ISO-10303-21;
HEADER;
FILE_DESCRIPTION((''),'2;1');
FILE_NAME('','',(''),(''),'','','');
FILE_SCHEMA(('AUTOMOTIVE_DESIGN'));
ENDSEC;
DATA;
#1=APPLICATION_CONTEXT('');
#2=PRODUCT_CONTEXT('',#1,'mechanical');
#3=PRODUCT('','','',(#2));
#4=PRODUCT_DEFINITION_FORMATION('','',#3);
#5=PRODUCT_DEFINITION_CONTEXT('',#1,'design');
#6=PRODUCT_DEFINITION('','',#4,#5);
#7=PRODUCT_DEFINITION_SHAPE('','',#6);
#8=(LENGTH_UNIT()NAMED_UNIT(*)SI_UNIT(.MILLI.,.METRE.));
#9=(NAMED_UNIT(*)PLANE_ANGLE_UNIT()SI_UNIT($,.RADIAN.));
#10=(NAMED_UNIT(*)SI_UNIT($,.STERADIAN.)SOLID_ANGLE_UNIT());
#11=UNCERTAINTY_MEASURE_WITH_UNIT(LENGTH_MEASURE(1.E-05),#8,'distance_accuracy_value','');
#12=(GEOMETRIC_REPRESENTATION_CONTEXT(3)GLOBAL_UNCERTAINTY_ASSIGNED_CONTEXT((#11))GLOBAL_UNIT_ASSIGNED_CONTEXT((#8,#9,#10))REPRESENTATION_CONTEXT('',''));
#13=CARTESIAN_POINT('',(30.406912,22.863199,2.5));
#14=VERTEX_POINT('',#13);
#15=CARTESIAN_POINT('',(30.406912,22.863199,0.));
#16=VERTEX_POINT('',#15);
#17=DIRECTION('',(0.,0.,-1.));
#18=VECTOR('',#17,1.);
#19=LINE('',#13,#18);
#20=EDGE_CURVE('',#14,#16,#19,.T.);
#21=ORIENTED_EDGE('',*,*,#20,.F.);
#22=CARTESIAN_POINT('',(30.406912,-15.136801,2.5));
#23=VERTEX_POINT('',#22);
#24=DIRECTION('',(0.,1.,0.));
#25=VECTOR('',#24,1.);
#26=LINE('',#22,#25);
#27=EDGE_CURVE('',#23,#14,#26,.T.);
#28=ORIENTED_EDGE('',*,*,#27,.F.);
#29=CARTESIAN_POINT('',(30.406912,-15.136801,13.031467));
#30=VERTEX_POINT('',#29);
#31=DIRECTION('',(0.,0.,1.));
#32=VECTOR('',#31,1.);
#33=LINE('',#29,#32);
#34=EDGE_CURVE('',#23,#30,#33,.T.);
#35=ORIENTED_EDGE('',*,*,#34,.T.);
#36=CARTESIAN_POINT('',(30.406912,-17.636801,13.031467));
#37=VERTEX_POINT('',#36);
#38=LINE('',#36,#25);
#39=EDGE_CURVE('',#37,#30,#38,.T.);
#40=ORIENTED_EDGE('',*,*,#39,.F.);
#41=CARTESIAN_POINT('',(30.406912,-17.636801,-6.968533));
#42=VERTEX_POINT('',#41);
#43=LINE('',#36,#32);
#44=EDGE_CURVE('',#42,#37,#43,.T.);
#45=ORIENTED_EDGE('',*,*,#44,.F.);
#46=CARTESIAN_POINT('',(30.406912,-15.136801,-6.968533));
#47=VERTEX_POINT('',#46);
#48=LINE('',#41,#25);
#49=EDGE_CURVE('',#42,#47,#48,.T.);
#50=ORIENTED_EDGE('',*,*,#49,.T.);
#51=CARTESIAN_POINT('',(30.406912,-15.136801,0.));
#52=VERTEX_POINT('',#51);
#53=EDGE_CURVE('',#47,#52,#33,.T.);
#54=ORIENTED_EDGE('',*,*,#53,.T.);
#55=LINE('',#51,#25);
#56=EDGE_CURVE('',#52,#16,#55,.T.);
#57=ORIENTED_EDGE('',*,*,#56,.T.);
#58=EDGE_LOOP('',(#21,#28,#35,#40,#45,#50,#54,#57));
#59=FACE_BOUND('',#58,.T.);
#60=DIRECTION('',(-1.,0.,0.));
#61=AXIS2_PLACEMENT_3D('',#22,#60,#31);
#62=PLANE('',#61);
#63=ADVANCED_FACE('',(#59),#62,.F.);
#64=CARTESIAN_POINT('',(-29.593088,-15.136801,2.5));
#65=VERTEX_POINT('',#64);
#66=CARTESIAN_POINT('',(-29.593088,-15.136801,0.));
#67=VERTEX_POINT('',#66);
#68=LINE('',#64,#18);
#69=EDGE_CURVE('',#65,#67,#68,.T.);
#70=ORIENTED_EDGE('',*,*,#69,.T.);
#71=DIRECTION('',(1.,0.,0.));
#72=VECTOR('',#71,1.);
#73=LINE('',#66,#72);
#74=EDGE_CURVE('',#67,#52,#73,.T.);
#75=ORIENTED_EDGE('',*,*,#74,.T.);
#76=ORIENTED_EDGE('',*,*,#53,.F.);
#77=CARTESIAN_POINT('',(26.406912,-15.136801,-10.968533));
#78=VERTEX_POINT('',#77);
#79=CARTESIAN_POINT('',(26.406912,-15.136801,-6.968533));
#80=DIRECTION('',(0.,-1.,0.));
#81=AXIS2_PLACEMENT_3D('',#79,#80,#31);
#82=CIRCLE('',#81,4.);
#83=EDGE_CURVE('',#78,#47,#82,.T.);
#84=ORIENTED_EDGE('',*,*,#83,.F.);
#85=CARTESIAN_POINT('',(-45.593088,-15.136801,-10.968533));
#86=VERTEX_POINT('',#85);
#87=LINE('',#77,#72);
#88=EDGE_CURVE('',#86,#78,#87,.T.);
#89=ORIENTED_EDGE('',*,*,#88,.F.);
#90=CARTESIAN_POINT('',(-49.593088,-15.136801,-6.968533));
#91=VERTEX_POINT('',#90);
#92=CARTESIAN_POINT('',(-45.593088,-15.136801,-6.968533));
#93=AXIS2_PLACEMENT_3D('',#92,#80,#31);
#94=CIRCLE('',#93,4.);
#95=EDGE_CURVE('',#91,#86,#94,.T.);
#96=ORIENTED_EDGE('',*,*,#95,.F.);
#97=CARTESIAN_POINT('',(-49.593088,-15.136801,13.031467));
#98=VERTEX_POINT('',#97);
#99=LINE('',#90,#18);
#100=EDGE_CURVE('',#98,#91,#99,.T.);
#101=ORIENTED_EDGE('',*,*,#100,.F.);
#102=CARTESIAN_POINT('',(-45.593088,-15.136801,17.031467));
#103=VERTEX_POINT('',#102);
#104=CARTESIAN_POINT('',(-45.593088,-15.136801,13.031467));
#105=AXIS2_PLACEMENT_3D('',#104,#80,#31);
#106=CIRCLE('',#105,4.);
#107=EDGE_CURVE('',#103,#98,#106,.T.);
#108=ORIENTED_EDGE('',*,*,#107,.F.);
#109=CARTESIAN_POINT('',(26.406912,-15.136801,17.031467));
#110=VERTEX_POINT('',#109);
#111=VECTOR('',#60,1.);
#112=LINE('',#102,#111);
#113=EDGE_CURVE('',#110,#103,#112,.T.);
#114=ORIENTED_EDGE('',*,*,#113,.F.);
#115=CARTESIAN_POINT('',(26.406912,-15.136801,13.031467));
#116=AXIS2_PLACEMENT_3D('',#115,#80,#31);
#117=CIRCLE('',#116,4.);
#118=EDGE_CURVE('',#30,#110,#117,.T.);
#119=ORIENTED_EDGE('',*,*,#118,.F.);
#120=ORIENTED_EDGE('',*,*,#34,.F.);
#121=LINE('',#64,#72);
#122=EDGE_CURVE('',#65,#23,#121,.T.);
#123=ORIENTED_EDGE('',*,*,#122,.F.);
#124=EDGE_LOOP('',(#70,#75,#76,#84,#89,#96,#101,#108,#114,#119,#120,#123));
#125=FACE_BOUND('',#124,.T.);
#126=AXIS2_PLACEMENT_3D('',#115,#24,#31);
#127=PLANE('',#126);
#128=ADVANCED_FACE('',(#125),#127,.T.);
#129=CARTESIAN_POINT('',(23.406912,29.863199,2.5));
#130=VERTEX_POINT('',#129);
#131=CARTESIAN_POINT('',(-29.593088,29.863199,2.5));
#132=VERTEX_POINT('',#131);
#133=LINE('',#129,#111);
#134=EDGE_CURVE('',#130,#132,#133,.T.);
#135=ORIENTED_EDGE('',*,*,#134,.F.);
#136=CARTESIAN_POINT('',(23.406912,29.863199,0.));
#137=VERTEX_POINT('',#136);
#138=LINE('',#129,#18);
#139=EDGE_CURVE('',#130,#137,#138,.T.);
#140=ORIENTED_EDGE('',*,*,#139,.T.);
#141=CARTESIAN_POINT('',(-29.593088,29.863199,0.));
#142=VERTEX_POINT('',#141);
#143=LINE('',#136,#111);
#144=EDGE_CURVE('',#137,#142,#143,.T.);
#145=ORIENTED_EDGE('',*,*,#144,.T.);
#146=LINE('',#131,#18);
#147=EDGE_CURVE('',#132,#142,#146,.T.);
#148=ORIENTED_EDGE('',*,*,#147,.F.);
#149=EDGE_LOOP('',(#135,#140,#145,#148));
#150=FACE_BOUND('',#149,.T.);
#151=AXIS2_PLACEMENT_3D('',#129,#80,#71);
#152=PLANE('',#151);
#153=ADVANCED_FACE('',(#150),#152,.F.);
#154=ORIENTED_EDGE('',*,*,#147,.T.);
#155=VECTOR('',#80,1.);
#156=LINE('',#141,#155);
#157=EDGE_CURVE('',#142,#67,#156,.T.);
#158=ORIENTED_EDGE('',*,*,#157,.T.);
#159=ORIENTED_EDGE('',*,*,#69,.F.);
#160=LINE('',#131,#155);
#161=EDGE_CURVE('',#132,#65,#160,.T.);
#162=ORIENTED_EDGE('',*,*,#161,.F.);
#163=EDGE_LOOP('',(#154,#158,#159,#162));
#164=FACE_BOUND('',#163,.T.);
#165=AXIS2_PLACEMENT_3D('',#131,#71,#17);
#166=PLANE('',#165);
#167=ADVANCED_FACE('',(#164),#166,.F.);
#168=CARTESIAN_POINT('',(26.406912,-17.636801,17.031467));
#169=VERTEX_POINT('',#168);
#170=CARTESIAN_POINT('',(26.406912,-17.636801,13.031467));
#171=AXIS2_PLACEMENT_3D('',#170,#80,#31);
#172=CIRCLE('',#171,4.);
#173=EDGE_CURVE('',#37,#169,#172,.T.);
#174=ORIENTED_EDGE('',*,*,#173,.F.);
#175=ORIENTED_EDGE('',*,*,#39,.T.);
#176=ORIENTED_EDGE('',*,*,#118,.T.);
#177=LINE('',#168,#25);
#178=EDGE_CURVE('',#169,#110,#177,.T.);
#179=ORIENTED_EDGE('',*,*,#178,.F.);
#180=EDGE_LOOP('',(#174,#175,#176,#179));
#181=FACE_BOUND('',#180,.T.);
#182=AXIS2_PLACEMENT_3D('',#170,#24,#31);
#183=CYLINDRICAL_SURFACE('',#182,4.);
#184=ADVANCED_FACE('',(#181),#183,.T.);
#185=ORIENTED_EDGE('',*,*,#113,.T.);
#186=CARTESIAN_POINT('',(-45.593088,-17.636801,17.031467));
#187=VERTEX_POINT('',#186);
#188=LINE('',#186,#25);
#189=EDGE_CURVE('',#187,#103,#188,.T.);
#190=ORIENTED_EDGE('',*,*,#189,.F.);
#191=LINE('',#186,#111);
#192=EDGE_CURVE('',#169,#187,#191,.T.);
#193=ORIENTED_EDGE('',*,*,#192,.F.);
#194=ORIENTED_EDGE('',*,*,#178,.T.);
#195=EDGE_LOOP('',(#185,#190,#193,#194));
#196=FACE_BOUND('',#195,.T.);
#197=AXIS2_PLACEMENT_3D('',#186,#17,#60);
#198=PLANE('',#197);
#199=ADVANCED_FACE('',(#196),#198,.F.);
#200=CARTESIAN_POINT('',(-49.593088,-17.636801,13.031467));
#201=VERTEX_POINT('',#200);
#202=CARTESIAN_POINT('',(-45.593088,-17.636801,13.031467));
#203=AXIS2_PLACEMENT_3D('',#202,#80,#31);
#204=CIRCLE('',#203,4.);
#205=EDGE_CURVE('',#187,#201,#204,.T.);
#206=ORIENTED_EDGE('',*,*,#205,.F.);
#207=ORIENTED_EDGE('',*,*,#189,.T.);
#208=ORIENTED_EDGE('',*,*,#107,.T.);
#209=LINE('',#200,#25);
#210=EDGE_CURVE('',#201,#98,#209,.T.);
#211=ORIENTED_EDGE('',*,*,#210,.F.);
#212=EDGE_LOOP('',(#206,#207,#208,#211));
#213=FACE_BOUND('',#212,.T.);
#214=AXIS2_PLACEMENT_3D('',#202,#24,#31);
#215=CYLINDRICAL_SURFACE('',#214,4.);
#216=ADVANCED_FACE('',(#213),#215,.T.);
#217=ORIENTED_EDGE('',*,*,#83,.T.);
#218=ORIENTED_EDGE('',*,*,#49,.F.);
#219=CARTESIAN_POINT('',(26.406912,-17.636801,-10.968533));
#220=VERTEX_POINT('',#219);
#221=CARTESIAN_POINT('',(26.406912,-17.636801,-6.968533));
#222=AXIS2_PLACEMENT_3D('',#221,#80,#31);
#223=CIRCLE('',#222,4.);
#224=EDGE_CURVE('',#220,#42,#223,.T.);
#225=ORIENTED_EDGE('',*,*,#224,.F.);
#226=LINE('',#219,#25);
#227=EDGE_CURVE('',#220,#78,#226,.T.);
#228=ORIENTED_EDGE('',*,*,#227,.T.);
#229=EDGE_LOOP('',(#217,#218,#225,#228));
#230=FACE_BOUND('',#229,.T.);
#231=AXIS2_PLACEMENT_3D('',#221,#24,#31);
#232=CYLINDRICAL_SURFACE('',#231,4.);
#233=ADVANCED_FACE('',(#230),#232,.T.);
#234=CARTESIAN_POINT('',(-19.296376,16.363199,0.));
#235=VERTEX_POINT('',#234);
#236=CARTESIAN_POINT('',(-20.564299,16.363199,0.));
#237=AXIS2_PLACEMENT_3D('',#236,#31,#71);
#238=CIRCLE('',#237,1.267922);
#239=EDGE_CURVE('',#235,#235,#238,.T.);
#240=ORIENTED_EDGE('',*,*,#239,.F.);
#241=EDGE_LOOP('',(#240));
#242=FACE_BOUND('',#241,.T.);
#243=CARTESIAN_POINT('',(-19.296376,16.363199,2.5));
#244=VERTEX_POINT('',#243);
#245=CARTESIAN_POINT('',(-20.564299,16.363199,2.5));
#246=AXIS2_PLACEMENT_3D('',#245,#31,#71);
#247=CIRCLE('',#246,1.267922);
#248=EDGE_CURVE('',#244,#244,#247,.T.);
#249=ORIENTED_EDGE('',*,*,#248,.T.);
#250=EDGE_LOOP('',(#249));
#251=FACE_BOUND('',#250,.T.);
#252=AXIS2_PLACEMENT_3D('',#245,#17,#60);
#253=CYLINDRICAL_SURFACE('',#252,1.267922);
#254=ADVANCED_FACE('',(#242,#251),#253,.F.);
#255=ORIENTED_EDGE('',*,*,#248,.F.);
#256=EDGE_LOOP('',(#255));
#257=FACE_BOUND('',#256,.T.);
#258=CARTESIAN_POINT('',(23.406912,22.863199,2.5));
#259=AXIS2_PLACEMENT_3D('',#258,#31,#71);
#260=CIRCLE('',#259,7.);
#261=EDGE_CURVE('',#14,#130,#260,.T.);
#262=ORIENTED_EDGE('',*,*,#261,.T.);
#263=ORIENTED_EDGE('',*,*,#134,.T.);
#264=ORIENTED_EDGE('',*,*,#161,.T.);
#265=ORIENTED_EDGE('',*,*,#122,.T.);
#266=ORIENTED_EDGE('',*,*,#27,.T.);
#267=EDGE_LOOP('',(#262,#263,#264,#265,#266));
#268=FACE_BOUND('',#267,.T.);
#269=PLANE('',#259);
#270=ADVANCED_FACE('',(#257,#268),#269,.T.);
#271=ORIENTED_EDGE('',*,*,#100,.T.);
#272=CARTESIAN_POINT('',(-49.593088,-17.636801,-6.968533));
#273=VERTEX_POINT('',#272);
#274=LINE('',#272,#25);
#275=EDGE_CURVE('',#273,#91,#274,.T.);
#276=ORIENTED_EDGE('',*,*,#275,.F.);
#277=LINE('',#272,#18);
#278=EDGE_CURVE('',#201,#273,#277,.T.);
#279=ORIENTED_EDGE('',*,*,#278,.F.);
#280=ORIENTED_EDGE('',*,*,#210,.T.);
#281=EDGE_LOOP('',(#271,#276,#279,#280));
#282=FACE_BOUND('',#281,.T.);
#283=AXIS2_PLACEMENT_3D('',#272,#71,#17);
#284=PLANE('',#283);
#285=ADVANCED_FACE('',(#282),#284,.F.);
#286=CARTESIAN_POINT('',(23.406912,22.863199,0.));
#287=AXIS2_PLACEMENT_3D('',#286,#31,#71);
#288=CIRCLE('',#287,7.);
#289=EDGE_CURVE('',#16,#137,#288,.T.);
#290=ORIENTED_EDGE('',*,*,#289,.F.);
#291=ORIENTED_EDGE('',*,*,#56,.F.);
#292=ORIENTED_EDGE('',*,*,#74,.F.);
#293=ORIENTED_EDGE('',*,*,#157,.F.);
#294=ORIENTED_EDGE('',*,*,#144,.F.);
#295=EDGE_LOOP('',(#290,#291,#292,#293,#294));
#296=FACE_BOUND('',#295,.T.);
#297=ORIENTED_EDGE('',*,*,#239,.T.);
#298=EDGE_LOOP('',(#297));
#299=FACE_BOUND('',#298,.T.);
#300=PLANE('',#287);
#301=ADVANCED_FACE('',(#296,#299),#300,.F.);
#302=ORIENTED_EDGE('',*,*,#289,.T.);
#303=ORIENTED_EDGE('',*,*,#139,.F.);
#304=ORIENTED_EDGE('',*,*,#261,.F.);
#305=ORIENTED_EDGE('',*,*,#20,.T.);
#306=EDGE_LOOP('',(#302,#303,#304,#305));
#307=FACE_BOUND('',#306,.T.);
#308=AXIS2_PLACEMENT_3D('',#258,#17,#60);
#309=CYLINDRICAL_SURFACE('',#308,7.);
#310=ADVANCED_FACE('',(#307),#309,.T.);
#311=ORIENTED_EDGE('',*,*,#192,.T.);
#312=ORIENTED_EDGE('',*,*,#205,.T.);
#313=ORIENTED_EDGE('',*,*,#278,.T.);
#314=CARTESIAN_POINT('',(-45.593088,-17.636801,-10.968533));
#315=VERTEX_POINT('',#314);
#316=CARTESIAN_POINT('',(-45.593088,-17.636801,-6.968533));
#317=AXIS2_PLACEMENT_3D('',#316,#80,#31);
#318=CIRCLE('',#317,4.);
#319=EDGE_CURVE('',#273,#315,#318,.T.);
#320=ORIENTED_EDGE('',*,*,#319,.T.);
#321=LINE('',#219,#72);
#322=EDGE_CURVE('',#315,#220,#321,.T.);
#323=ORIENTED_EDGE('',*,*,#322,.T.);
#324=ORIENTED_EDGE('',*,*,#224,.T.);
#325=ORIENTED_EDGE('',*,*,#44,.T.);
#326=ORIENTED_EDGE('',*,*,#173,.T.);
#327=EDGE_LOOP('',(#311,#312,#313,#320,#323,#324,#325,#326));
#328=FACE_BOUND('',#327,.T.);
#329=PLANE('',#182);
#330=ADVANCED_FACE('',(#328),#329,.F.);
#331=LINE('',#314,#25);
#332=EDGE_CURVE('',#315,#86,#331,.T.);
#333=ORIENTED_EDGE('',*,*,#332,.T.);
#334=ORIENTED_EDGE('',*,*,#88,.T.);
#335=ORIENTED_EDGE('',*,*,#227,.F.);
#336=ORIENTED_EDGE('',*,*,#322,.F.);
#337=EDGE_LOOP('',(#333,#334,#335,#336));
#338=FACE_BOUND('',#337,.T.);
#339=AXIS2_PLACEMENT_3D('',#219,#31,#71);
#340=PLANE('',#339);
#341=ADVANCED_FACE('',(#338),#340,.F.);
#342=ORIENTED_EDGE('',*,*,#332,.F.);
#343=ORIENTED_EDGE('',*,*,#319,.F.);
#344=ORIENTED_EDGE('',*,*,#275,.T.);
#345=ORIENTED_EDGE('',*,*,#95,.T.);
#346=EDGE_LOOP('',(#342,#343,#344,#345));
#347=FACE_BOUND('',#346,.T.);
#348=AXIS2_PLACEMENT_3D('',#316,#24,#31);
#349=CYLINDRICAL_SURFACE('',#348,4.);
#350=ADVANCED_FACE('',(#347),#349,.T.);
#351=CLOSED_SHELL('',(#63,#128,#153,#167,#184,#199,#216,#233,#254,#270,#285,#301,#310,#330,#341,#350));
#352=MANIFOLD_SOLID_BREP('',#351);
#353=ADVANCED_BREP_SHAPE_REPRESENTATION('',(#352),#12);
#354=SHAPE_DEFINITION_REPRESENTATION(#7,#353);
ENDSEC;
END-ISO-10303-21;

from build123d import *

# Parameters (mm, degrees)
CROQUIS4_R              = 1.267922183
SALIENTE_EXTRUIR3_DEPTH = 2.5
SALIENTE_EXTRUIR4_DEPTH = 2.5


with BuildPart() as part:
    # Croquis4 → Saliente-Extruir3 (new body)
    with BuildSketch(Plane.XY):
        with BuildLine():
            Line((30.406912218, -15.136800989), (30.406912218, 22.863199011))
            ThreePointArc((30.406912218, 22.863199011), (28.356659686, 27.812946479), (23.406912218, 29.863199011))
            Line((23.406912218, 29.863199011), (-29.593087782, 29.863199011))
            Line((-29.593087782, 29.863199011), (-29.593087782, -15.136800989))
            Line((-29.593087782, -15.136800989), (30.406912218, -15.136800989))
        make_face()
        with Locations((-20.564298519, 16.363199011)):
            Circle(CROQUIS4_R, mode=Mode.SUBTRACT)
    extrude(amount=SALIENTE_EXTRUIR3_DEPTH)

    # Croquis5 → Saliente-Extruir4 (add)
    with BuildSketch(Plane.XZ.offset(15.136800989)):
        with BuildLine():
            Line((30.406912218, 13.031466978), (30.406912218, -6.968533022))
            ThreePointArc((30.406912218, -6.968533022), (29.235339342, -9.796960146), (26.406912218, -10.968533022))
            Line((26.406912218, -10.968533022), (-45.593087782, -10.968533022))
            ThreePointArc((-45.593087782, -10.968533022), (-48.421514907, -9.796960146), (-49.593087782, -6.968533022))
            Line((-49.593087782, -6.968533022), (-49.593087782, 13.031466978))
            ThreePointArc((-49.593087782, 13.031466978), (-48.421514907, 15.859894103), (-45.593087782, 17.031466978))
            Line((-45.593087782, 17.031466978), (26.406912218, 17.031466978))
            ThreePointArc((26.406912218, 17.031466978), (29.235339342, 15.859894103), (30.406912218, 13.031466978))
        make_face()
    extrude(amount=SALIENTE_EXTRUIR4_DEPTH)


solid = part.part
